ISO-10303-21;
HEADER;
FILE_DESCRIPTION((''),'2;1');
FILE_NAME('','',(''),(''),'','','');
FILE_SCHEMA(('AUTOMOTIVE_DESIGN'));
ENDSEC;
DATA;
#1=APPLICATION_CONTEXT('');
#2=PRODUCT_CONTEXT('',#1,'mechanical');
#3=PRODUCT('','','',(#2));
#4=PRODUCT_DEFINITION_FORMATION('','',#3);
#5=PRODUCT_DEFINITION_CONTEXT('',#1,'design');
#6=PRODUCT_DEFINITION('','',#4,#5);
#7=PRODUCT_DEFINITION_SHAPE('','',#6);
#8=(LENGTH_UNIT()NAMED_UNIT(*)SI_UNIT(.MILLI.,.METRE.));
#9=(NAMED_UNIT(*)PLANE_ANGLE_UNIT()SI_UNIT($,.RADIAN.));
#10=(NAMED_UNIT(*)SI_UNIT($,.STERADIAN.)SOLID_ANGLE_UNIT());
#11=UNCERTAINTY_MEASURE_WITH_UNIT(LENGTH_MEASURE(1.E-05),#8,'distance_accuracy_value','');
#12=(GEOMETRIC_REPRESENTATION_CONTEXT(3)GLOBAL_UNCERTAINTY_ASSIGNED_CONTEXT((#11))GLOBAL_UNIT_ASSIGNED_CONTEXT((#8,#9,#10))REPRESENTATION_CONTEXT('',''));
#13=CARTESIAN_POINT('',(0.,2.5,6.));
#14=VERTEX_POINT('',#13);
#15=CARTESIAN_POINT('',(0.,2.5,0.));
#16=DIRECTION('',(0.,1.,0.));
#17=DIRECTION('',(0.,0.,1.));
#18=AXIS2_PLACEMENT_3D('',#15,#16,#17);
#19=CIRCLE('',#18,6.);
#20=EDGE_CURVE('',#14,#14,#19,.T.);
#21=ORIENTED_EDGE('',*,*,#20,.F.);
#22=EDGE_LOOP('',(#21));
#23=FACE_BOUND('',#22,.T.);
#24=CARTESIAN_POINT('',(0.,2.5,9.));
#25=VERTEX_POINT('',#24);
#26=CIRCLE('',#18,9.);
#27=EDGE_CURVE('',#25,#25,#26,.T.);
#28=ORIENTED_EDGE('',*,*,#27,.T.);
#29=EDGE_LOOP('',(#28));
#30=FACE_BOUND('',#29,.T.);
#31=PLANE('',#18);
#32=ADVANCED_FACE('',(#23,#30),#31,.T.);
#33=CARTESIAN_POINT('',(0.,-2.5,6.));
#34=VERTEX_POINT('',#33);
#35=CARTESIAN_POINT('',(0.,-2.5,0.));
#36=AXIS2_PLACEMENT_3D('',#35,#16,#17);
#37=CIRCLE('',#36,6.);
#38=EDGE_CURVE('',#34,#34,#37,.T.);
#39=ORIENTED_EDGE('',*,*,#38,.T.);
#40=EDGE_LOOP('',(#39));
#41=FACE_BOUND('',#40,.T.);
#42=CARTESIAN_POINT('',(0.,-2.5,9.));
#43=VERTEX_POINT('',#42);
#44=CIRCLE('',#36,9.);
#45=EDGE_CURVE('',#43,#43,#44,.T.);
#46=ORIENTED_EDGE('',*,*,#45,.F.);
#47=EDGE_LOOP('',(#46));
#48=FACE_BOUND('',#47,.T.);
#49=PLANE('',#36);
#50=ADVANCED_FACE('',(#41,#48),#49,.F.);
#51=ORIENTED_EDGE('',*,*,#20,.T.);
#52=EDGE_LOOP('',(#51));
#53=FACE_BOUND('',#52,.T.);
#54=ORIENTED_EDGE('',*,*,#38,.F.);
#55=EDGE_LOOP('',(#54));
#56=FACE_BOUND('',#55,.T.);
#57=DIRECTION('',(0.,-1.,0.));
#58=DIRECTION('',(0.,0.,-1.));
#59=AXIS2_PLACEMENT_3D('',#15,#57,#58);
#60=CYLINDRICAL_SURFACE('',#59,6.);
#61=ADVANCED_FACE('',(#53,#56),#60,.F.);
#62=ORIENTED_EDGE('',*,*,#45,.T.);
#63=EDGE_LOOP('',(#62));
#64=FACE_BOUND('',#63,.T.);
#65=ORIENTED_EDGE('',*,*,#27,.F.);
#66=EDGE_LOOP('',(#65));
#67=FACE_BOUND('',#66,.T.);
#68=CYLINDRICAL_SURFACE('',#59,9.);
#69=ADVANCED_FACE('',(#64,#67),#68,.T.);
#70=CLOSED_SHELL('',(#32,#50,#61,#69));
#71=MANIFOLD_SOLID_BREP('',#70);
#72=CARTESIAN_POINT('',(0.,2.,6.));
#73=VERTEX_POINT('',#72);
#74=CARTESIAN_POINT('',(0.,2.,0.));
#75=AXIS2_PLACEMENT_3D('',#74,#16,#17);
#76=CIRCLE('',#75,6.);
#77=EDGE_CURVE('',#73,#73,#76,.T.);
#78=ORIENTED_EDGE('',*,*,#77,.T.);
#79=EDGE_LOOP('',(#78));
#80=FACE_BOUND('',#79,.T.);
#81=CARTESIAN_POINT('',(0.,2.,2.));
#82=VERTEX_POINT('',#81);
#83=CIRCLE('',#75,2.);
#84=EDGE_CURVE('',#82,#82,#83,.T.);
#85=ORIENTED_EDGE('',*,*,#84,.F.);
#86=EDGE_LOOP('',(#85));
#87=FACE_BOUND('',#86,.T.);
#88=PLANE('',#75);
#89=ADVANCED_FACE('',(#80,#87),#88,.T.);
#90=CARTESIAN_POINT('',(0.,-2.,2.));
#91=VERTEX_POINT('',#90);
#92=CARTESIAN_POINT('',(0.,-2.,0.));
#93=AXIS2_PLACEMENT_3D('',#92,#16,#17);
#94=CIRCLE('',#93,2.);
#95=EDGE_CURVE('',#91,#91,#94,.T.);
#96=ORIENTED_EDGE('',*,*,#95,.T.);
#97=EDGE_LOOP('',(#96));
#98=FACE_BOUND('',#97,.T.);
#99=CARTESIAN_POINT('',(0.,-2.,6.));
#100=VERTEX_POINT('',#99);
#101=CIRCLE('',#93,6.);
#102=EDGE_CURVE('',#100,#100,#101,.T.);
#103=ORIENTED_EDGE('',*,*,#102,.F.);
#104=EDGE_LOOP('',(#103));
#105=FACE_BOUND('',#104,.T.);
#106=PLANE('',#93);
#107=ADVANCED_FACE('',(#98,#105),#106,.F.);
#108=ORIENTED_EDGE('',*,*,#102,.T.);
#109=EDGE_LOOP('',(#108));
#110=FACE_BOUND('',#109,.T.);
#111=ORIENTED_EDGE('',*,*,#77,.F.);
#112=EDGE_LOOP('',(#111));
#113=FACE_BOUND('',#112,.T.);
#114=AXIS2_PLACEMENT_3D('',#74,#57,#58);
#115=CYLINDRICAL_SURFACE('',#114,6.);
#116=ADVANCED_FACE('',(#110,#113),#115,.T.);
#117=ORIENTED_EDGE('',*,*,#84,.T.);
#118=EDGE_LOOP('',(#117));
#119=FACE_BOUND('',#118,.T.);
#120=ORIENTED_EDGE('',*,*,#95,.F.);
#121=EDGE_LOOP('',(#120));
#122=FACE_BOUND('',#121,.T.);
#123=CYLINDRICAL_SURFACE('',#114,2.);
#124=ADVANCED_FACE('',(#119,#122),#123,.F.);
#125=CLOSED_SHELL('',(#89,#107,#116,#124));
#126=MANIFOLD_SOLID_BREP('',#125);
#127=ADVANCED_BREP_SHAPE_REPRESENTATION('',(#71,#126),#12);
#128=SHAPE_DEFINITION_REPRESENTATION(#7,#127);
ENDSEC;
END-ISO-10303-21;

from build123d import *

# Parameters (mm, degrees)
SKETCH_1_R      = 6
SKETCH_1_R_2    = 2
EXTRUDE_1_DEPTH = 2
SKETCH_2_R      = 9
SKETCH_2_R_2    = 6
EXTRUDE_2_DEPTH = 2.5


with BuildPart() as part:
    # 草图1 → 凸台-拉伸1 (new, symmetric)
    with BuildSketch(Plane(origin=(0, 0, 0), x_dir=(1, 0, 0), z_dir=(0, 1, 0))):
        with Locations(Location((0, 0, 0), (0, 0, 270))):
            Circle(SKETCH_1_R)
        with Locations(Location((0, 0, 0), (0, 0, 270))):
            Circle(SKETCH_1_R_2, mode=Mode.SUBTRACT)
    extrude(amount=EXTRUDE_1_DEPTH, both=True)


with BuildPart() as body_2:
    # 草图2 → 凸台-拉伸2 (new, symmetric)
    with BuildSketch(Plane(origin=(0, 0, 0), x_dir=(1, 0, 0), z_dir=(0, 1, 0))):
        with Locations(Location((0, 0, 0), (0, 0, 270))):
            Circle(SKETCH_2_R)
        with Locations(Location((0, 0, 0), (0, 0, 270))):
            Circle(SKETCH_2_R_2, mode=Mode.SUBTRACT)
    extrude(amount=EXTRUDE_2_DEPTH, both=True)


solid = Compound([part.part, body_2.part])
